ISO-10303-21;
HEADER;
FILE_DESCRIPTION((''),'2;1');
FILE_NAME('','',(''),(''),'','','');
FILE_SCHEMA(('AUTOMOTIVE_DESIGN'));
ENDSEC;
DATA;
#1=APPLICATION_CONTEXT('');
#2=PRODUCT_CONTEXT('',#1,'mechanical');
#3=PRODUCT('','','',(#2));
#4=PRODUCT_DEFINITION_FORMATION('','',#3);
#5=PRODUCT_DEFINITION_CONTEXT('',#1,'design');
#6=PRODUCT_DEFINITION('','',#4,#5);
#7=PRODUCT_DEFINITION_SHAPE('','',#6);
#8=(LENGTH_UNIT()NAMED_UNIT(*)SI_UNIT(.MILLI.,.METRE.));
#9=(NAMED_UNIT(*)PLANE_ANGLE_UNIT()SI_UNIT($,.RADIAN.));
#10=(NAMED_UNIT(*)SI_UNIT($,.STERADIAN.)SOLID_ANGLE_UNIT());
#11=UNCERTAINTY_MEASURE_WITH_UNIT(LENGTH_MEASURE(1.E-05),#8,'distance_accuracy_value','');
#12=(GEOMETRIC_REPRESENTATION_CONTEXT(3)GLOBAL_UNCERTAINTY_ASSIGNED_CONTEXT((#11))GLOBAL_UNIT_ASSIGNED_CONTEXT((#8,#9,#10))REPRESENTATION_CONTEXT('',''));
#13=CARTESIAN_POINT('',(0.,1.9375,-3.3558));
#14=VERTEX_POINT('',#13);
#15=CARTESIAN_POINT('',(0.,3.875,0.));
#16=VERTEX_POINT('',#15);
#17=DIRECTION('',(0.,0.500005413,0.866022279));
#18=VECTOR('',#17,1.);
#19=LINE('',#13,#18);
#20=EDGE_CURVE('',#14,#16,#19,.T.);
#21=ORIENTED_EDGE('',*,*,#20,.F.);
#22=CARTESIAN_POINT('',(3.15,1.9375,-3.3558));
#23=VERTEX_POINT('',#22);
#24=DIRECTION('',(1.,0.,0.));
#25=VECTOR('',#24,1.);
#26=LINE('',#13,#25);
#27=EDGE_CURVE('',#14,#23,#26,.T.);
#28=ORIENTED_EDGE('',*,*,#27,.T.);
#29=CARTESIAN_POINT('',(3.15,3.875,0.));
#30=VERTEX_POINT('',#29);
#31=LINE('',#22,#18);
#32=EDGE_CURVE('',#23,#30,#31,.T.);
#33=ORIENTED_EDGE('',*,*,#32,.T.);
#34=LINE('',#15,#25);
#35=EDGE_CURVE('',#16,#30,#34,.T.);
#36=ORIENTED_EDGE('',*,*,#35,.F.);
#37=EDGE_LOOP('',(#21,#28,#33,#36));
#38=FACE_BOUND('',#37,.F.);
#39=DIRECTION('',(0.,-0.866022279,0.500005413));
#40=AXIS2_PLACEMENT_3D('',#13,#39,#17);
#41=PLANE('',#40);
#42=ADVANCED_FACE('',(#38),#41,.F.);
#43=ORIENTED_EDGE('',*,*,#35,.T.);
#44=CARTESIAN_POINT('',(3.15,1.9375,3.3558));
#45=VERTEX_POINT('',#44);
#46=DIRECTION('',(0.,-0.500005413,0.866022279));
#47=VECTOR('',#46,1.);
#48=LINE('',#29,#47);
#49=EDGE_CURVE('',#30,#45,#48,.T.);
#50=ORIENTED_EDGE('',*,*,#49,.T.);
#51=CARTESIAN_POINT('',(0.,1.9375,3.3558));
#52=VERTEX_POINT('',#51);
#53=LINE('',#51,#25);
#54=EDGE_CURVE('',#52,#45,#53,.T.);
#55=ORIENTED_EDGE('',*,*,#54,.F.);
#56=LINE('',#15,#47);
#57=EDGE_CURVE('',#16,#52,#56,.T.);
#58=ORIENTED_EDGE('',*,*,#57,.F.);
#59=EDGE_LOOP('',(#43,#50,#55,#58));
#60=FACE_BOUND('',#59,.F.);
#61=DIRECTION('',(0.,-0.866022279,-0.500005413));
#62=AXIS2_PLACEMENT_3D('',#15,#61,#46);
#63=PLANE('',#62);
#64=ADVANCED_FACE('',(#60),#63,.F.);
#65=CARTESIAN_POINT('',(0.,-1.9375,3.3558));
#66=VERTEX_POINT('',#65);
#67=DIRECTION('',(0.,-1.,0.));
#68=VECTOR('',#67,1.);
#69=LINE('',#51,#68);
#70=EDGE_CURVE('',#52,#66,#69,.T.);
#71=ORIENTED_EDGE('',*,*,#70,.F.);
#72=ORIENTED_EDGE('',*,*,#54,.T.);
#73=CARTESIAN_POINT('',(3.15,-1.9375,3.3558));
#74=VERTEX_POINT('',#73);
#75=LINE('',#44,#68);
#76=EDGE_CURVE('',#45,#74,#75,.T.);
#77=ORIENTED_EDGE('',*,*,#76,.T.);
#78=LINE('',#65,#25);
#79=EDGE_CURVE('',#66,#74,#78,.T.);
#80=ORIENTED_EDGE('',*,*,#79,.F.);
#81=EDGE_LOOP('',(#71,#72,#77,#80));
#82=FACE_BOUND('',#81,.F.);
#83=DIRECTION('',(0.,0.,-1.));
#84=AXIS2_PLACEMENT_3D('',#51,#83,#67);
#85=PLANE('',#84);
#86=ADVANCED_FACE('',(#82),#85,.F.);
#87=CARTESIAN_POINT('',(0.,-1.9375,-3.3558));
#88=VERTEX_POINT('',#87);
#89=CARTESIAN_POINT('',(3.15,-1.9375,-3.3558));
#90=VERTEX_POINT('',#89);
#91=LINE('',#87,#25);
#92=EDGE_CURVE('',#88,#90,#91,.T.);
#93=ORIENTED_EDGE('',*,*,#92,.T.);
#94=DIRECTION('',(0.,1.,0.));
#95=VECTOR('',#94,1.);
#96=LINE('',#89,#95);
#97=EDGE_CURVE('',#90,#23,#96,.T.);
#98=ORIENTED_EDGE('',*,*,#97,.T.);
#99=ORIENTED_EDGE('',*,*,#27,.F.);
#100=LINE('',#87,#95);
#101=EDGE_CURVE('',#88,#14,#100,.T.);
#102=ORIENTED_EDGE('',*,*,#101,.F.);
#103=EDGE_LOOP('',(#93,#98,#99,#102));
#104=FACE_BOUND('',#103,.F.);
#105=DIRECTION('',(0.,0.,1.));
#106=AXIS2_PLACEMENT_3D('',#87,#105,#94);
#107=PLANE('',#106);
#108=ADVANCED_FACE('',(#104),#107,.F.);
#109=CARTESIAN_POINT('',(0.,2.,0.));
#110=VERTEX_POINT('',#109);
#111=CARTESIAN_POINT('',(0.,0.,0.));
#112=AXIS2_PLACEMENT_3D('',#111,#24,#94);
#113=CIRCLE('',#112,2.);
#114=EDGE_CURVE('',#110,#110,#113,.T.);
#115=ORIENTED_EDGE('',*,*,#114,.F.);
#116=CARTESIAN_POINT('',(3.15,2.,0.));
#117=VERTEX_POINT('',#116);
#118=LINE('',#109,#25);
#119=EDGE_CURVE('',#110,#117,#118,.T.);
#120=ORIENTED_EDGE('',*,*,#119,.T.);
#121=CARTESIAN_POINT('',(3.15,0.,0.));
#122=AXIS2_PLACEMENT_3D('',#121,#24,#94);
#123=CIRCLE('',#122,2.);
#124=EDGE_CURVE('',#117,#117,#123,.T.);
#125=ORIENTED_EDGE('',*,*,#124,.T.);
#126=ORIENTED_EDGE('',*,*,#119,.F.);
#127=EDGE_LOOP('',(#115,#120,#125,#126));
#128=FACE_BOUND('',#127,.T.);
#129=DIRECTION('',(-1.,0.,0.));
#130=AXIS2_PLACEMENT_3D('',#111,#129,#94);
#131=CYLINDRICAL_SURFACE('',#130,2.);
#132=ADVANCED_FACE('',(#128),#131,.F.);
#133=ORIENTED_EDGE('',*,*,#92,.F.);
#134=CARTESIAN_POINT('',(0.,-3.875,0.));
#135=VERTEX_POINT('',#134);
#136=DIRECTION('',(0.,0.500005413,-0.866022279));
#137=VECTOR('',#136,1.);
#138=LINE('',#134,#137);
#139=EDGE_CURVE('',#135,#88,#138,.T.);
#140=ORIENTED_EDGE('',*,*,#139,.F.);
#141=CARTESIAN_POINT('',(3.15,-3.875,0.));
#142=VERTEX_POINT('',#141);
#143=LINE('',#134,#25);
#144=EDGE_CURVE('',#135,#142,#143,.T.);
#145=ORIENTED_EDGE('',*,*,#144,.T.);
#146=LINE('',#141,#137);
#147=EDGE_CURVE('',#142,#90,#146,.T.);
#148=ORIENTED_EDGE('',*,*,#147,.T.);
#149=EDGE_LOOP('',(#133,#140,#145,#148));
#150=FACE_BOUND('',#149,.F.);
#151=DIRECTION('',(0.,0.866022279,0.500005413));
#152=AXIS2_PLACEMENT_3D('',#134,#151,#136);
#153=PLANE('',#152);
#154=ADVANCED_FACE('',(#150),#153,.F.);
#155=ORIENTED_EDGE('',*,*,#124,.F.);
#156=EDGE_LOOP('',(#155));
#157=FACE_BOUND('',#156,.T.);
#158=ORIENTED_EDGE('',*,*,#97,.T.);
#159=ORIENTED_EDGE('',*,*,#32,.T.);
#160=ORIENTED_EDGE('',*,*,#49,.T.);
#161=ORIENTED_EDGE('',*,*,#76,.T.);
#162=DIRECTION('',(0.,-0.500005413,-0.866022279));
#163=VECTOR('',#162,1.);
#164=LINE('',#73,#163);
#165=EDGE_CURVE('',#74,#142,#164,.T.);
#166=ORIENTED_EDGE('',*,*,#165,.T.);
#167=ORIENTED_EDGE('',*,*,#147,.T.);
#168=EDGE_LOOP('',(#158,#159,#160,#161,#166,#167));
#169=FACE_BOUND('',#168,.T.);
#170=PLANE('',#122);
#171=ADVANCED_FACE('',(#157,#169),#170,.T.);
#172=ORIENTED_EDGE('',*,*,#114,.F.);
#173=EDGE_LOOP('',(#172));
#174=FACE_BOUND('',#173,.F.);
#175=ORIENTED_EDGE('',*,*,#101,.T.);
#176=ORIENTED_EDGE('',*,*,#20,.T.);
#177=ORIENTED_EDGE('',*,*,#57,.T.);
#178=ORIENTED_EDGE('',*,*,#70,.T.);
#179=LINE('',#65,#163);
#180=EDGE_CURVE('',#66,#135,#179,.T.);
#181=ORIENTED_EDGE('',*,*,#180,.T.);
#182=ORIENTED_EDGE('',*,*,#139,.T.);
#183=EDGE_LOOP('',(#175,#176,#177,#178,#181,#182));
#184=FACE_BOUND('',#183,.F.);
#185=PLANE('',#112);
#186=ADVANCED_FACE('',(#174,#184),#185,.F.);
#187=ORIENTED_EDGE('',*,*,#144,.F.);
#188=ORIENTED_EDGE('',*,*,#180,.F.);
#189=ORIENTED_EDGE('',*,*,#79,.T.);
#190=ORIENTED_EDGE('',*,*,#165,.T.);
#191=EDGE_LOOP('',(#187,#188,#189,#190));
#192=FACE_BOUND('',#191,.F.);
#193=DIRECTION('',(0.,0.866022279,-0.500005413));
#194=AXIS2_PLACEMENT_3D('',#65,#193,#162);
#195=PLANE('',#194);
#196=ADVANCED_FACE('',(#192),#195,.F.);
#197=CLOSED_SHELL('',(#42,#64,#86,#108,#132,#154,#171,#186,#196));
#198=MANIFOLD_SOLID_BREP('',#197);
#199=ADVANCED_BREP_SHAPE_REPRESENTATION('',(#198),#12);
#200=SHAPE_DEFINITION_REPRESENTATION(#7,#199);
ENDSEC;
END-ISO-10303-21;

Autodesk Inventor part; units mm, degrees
ref_plane "YZ Plane" through (0, 0, 0) normal (1, 0, 0) x (0, 1, 0)
ref_plane "XZ Plane" through (0, 0, 0) normal (0, 1, 0) x (-1, 0, 0)
ref_plane "XY Plane" through (0, 0, 0) normal (0, 0, 1) x (1, 0, 0)
sketch "スケッチ1" plane through (0, 0, 0) normal (1, 0, 0) x (0, 1, 0)
  circle A0 centre (0, 0) radius 2
  line L0 (3.875, 0) -> (1.9375, 3.3558)
  line L1 (1.9375, 3.3558) -> (-1.9375, 3.3558)
  line L2 (-1.9375, 3.3558) -> (-3.875, 0)
  line L3 (-3.875, 0) -> (-1.9375, -3.3558)
  line L4 (-1.9375, -3.3558) -> (1.9375, -3.3558)
  line L5 (1.9375, -3.3558) -> (3.875, 0)
  dimension "d0" = 4
  dimension "d1" = 3.875
  dimension "d4" = 360
extrude "押し出し1" add sketch "スケッチ1" along normal blind 3.15
properties part number "4min-nut" material "アルミニウム 6061"
